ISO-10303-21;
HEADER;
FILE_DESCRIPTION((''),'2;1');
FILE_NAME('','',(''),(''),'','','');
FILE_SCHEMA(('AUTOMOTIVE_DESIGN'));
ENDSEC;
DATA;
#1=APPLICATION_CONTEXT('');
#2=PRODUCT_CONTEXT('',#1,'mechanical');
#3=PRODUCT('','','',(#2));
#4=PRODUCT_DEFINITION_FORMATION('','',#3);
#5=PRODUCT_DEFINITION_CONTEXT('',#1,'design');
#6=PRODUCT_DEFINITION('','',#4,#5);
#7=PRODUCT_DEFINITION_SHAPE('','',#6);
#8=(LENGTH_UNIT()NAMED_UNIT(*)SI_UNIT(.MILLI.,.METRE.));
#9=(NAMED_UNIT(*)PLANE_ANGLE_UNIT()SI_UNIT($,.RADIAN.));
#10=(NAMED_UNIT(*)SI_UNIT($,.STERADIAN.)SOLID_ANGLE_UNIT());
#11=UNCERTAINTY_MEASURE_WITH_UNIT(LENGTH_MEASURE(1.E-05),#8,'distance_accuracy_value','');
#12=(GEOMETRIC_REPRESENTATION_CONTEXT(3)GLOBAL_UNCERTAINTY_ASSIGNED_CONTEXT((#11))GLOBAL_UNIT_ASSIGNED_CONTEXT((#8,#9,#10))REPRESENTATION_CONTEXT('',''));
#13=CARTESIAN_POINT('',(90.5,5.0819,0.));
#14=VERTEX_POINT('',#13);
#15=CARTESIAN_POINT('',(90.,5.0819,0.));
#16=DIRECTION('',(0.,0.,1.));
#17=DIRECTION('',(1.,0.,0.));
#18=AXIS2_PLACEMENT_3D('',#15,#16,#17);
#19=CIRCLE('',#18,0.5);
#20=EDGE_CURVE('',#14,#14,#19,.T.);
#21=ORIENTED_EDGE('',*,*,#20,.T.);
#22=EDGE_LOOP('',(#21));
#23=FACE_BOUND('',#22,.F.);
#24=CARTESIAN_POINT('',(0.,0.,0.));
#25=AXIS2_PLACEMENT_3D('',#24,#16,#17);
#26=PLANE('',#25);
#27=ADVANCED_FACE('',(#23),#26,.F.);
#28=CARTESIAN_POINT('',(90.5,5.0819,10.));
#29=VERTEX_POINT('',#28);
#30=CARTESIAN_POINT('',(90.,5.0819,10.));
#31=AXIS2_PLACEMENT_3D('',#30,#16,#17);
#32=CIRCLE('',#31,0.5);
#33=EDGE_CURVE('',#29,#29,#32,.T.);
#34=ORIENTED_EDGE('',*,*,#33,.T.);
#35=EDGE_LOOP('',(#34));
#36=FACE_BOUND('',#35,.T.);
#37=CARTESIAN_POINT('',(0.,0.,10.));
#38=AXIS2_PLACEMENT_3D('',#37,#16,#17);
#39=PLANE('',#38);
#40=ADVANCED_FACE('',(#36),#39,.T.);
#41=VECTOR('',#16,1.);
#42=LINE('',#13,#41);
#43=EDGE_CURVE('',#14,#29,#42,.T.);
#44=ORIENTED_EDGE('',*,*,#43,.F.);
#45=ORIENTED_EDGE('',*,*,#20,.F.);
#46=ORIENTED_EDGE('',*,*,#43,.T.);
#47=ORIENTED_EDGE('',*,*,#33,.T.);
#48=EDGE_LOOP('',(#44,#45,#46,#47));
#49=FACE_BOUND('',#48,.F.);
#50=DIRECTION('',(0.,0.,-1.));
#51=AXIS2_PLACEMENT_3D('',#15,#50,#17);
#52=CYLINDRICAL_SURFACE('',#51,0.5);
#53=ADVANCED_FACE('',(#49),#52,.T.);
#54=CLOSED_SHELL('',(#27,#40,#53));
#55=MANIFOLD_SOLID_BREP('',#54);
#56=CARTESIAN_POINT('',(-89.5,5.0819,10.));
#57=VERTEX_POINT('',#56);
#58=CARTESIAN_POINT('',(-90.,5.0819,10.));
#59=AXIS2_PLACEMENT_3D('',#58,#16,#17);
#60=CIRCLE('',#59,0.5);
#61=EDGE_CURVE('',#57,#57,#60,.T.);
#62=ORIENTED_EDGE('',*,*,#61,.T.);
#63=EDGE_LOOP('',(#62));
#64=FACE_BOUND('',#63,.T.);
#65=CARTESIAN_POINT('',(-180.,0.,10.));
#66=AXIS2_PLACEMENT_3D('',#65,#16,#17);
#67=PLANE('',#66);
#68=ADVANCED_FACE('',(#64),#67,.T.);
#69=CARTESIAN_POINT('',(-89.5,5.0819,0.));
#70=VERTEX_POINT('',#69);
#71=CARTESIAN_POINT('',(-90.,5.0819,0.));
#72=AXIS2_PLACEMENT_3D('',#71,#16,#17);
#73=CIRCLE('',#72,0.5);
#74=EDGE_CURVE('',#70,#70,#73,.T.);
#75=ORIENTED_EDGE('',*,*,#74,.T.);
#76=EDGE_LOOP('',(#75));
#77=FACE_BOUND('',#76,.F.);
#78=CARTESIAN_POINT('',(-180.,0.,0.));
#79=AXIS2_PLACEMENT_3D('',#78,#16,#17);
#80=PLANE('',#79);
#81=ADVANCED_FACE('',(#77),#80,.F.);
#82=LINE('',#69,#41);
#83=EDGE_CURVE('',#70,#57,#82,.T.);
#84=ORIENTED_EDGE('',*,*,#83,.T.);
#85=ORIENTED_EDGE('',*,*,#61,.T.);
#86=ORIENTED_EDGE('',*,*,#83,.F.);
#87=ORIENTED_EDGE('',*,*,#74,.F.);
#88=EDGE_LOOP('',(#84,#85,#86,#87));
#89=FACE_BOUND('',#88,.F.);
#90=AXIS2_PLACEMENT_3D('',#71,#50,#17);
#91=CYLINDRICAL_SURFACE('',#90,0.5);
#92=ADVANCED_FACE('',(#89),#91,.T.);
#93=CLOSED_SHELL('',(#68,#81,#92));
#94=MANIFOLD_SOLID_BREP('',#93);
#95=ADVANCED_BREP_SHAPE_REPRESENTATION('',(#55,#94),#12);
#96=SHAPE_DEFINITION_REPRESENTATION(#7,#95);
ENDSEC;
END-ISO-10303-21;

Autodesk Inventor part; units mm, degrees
ref_plane "YZ Plane" through (0, 0, 0) normal (1, 0, 0) x (0, 1, 0)
ref_plane "XZ Plane" through (0, 0, 0) normal (0, 1, 0) x (-1, 0, 0)
ref_plane "XY Plane" through (0, 0, 0) normal (0, 0, 1) x (1, 0, 0)
sketch "Sketch1" plane through (0, 0, 0) normal (0, 0, 1) x (1, 0, 0)
  line L0 (-150, -21.935) -> (150, -21.935)
  line L1 (150, -21.935) -> (150, 21.935)
  line L2 (150, 21.935) -> (-150, 21.935)
  line L3 (-150, 21.935) -> (-150, -21.935)
  line L4 (-150, -21.935) -> (150, 21.935) construction
  line L5 (150, -21.935) -> (-150, 21.935) construction
  point P0 (0, 0)
  dimension "d0" = 300
  dimension "d1" = 43.87
sketch "Lamello" plane through (0, 0, 0) normal (0, 0, 1) x (1, 0, 0)
  line L0 (48.383, 141.1858) -> (42.783, 141.1858)
  line L1 (40.583, 139.6858) -> (40.583, 114.6858)
  line L2 (42.783, 113.1858) -> (48.383, 113.1858)
  line L3 (50.583, 114.6858) -> (50.583, 139.6858)
  line L4 (50.583, 139.6858) -> (48.383, 141.1858)
  line L5 (40.583, 139.6858) -> (42.783, 141.1858)
  line L6 (40.583, 114.6858) -> (42.783, 113.1858)
  line L7 (50.583, 114.6858) -> (48.383, 113.1858)
  line L8 (50.583, 127.1858) -> (40.583, 127.1858)
  line L9 (45.583, 141.1858) -> (45.583, 113.1858)
  point P0 (45.583, 127.1858)
  point P1 (50.583, 141.1858)
  point P2 (40.583, 113.1858)
  point P3 (40.583, 141.1858)
  point P4 (50.583, 113.1858)
  dimension "d54" = 10
  dimension "d55" = 28
  dimension "d56" = 1.5
  dimension "d57" = 2.2
  dimension "d58" = 1.5
  dimension "d59" = 2.2
  dimension "d60" = 1.5
  dimension "d61" = 2.2
  dimension "d62" = 1.5
  dimension "d63" = 2.2
sketch "Sketch2" plane through (0, 0, 0) normal (0, 0, 1) x (1, 0, 0)
  circle A0 centre (90, 5.0819) radius 0.5
  line L0 (150, 21.935) -> (-150, 21.935) projected
  line L1 (-150, -21.935) -> (150, -21.935) projected
  line L2 (0, -130.5712) -> (0, 108.4286) projected
  line L3 (150, -21.935) -> (150, 21.935) projected
  point P0 (0, 0)
  dimension "d4" = 1
  dimension "d50" = 16.8531
  dimension "d70" = 60
extrude "Extrusion1" add sketch "Sketch2" along normal blind 10 contours A0
pattern_linear "Clamex Array" count 2 spacing 180 along (-1, 0, 0) of "Extrusion1"
sketch "Edge-Side Connection" plane through (0, 0, 0) normal (1, 0, 0) x (0, 1, 0)
  line L0 (-50, 0) -> (50, 0)
  line L1 (50, 0) -> (50, 37)
  line L2 (50, 37) -> (-50, 37)
  line L3 (-50, 37) -> (-50, 0)
  line L4 (-21.935, 0) -> (-40.5873, -40)
  line L5 (-40.5873, -40) -> (3.2827, -40)
  line L6 (3.2827, -40) -> (21.935, 0)
  line L7 (-1.9389, -14) -> (-1.9389, 14) construction
  line L8 (21.935, 0) -> (3.0611, 0)
  line L9 (-6.9389, -12.5) -> (-24.0444, -4.5236)
  point P0 (0, 0)
  point P1 (21.935, 0)
  point P2 (-21.935, 0)
  point P3 (0, 0)
  dimension "d26" = 100
  dimension "d27" = 37
  dimension "d28" = 40
  dimension "OtherSideRefYCoordinate" = 19.9962
  dimension "ReferenceCoord" = 23.8739
  dimension "d49" = 115
sketch "Edge-Edge Connection" plane through (0, 0, 0) normal (1, 0, 0) x (0, 1, 0)
  line L0 (-96.4284, 37) -> (23.5716, 37)
  line L1 (23.5716, 37) -> (0, 0)
  line L2 (0, 0) -> (-96.4284, 0)
  line L3 (-96.4284, 0) -> (-96.4284, 37)
  line L4 (23.5716, 37) -> (74.2858, -71.7569)
  line L5 (0, 0) -> (40.7524, -87.3938)
  line L6 (40.7524, -87.3938) -> (74.2858, -71.7569)
  line L7 (6.3686, 9.9968) -> (0, 0)
  line L8 (1.1993, 25.1469) -> (1.1993, 37)
  point P0 (9.0551, 14.2137)
  dimension "d51" = 37
  dimension "d53" = 37
  dimension "EdgeEdgeReferenceCoord" = 16.8531
  dimension "d65" = 115
  dimension "d66" = 120
  dimension "d67" = 120
  dimension "EdgeEdgeOtherSideRefYCoordinate" = 27.0174
equation "\"d9\" = Step"
equation "\"d27\" = NestleBoardT"
equation "\"d0\" = ContactPatchWidth"
equation "\"d1\" = ContactPatchHeight"
equation "\"ContactPatchWidth\" = 300"
equation "\"ContactPatchHeight\" = 43.87"
equation "\"MinDistBetween\" = 96"
equation "\"Step\" = 180"
equation "\"Y_Coord\" = 16.85307"
equation "\"NestleBoardT\" = 37"
equation "\"PillarBoardT\" = 37"
equation "\"AngleForYPositionCalc\" = 115deg"
equation "\"ConnectionAngle\" = 115deg"
equation "\"ShiftY\" = 0"
properties part number "Clamex Joint1400"
